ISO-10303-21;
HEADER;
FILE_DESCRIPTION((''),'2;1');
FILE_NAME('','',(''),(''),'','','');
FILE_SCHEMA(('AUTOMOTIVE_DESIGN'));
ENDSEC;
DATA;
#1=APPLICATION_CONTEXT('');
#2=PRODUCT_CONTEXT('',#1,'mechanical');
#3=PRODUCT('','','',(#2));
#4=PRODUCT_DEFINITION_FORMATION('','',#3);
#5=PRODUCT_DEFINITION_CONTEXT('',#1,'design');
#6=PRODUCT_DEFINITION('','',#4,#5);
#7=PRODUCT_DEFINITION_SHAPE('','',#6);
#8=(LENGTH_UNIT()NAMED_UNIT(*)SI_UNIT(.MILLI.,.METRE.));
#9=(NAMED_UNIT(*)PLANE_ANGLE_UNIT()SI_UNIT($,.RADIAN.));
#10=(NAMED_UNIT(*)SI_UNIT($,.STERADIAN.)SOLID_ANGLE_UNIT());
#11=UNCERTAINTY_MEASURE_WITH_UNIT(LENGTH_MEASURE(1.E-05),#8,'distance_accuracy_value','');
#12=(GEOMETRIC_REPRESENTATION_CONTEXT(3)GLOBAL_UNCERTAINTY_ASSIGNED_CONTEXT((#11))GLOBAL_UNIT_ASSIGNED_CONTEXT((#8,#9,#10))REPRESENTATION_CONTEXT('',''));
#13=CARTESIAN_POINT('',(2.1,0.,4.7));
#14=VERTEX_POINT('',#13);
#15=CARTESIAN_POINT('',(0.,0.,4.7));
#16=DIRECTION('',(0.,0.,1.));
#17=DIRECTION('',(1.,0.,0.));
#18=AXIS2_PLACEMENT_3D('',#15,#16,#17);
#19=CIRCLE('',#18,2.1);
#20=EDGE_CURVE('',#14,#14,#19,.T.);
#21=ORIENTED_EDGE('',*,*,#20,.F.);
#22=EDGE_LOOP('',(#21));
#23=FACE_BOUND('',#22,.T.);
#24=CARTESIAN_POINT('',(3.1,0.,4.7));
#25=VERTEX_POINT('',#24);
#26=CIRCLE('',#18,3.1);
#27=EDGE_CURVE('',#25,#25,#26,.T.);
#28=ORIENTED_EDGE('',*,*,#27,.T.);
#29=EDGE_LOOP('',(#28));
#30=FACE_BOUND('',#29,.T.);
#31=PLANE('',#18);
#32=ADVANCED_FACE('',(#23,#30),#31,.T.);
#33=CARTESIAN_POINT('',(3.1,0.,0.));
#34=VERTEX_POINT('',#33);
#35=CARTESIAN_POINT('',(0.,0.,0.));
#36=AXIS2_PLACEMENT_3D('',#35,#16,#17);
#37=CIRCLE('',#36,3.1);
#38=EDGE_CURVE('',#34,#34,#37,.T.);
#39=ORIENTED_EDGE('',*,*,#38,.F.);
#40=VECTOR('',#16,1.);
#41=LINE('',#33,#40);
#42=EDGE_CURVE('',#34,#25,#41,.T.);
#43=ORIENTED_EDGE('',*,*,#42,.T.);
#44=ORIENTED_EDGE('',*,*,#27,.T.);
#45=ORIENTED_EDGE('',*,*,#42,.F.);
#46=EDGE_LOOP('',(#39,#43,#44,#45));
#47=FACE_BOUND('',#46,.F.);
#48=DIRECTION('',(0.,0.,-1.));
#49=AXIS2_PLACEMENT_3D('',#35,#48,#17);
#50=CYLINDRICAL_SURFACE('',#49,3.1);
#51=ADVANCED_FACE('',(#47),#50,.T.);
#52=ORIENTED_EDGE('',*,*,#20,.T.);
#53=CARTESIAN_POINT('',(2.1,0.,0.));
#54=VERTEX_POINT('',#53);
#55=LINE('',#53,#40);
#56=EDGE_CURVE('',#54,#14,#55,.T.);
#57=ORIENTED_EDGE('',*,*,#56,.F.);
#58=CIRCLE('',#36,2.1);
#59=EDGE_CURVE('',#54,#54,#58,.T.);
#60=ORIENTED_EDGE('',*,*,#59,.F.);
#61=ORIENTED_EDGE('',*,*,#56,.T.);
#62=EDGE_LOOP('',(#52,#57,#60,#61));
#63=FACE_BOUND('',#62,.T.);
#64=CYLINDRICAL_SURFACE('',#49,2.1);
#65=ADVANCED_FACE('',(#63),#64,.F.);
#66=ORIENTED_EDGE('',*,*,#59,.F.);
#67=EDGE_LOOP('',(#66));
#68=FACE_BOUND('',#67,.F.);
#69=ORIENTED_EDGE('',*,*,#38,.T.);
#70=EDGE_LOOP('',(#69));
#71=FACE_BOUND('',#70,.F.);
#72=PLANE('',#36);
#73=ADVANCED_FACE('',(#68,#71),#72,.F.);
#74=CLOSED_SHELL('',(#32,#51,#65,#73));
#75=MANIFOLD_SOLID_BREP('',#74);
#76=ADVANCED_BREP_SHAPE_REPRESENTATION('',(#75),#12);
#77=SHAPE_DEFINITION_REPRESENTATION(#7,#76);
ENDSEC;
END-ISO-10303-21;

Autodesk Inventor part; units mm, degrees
ref_plane "YZ Plane" through (0, 0, 0) normal (1, 0, 0) x (0, 1, 0)
ref_plane "XZ Plane" through (0, 0, 0) normal (0, 1, 0) x (-1, 0, 0)
ref_plane "XY Plane" through (0, 0, 0) normal (0, 0, 1) x (1, 0, 0)
sketch "Skizze1" plane through (0, 0, 0) normal (0, 0, 1) x (1, 0, 0)
  circle A0 centre (0, 0) radius 2.1
  circle A1 centre (0, 0) radius 3.1
  dimension "d0" = 4.2
  dimension "d1" = 1
extrude "Extrusion1" add sketch "Skizze1" along normal blind 4.7
properties part number "BushBeltDriveTopRight"
